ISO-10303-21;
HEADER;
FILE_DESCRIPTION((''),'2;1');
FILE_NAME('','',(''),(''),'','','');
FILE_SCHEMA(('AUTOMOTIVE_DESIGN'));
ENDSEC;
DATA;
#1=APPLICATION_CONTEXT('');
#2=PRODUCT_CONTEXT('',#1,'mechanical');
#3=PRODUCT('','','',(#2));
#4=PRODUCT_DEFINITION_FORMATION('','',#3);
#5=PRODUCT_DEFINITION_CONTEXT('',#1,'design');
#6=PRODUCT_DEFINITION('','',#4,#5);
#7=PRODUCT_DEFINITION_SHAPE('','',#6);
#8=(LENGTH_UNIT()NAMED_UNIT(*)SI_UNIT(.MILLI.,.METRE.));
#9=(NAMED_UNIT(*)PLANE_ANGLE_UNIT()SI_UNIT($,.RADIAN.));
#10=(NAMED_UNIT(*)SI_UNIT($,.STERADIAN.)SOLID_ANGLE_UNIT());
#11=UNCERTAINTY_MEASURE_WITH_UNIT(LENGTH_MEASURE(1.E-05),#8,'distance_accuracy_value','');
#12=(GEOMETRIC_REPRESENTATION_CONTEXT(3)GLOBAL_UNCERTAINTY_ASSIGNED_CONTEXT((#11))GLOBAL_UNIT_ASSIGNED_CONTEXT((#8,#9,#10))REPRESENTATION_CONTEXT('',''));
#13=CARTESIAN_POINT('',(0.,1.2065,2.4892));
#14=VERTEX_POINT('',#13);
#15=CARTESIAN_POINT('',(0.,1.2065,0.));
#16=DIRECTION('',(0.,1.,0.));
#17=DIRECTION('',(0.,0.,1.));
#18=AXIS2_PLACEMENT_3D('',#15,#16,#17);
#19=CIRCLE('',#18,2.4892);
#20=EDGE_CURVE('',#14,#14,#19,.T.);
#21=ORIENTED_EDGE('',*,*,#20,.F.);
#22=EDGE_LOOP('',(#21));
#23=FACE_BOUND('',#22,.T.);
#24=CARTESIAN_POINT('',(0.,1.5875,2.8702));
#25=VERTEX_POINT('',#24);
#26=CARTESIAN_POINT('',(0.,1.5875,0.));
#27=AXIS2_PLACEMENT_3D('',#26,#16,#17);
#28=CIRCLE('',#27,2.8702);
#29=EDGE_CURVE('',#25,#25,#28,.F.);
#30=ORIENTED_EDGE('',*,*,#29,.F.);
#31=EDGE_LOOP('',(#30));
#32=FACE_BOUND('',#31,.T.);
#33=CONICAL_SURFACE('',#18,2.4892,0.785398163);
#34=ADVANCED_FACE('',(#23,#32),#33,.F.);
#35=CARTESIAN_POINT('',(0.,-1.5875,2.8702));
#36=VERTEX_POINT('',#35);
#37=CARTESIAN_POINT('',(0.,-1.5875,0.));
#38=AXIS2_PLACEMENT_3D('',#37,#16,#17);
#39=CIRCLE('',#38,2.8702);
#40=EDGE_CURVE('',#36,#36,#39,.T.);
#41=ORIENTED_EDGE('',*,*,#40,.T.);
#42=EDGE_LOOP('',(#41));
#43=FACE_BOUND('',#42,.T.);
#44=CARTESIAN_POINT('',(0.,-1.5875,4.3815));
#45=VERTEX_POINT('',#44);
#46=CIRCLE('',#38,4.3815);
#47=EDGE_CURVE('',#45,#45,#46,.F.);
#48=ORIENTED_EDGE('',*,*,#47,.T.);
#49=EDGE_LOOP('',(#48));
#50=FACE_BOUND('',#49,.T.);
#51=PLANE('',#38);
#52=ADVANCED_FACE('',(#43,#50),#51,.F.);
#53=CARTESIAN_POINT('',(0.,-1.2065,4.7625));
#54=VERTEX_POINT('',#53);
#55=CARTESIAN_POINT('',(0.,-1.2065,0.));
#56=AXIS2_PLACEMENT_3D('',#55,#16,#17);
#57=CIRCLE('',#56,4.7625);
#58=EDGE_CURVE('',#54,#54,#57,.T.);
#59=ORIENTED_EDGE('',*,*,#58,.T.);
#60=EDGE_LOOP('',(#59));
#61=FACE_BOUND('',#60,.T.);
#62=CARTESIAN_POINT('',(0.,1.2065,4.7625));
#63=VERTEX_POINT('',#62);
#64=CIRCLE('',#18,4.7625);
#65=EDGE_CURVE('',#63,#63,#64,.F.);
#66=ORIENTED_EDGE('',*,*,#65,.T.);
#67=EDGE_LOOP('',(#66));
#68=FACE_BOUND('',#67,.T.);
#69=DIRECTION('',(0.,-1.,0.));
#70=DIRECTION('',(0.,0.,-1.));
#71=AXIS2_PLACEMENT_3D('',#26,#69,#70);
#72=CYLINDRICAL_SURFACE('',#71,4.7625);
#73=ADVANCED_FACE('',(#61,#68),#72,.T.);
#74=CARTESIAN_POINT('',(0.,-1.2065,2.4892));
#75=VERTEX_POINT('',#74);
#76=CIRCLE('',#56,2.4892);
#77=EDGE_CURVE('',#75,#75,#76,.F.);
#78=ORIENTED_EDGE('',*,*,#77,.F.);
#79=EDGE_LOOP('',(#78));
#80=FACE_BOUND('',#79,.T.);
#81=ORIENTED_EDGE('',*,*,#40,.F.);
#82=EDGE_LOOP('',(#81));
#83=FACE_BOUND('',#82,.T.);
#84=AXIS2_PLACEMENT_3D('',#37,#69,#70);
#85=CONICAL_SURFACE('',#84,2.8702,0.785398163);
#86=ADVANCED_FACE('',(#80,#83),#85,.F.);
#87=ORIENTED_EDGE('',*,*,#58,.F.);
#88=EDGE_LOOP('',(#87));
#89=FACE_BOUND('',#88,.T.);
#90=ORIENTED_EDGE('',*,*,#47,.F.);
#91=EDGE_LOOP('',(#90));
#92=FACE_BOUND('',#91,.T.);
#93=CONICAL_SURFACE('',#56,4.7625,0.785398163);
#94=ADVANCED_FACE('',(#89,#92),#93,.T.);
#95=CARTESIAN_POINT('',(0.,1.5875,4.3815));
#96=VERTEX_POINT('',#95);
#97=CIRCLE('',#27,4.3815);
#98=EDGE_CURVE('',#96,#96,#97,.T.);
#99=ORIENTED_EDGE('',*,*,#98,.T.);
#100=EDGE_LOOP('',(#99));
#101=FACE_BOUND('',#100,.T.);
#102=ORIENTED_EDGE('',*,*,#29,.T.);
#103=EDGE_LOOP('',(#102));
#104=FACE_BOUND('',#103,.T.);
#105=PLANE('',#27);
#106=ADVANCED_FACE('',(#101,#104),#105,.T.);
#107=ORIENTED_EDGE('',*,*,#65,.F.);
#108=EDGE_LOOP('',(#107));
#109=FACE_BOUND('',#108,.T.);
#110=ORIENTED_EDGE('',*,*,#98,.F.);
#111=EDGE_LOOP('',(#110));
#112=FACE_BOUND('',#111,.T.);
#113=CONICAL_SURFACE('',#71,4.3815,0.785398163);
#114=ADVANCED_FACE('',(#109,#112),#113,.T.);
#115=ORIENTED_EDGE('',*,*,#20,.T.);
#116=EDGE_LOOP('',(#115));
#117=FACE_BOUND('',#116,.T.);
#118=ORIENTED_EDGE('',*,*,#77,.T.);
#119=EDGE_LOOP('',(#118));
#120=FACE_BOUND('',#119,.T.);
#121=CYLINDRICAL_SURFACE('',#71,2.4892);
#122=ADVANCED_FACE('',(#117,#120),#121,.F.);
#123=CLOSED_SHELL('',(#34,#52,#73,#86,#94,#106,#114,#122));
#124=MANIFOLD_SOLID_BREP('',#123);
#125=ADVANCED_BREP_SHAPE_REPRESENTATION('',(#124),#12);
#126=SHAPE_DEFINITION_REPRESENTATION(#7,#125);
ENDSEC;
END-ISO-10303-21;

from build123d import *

# Parameters (mm, degrees)
SKETCH1_R           = 4.7625
SKETCH1_R_2         = 2.4892
BOSS_EXTRUDE1_DEPTH = 1.5875
CHAMFER1_SIZE       = 0.381


with BuildPart() as part:
    # Sketch1 → Boss-Extrude1 (new body, symmetric)
    with BuildSketch(Plane(origin=(0, 0, 0), x_dir=(1, 0, 0), z_dir=(0, 1, 0))):
        Circle(SKETCH1_R)
        Circle(SKETCH1_R_2, mode=Mode.SUBTRACT)
    extrude(amount=BOSS_EXTRUDE1_DEPTH, both=True)

    # Chamfer1
    chamfer1_edges = [part.edges().sort_by_distance(p)[0] for p in [
        (-4.7625, -1.5875, 0),
        (-4.7625, 1.5875, 0),
        (-2.4892, -1.5875, 0),
        (-2.4892, 1.5875, 0),
    ]]
    chamfer(chamfer1_edges, length=CHAMFER1_SIZE)


solid = part.part
